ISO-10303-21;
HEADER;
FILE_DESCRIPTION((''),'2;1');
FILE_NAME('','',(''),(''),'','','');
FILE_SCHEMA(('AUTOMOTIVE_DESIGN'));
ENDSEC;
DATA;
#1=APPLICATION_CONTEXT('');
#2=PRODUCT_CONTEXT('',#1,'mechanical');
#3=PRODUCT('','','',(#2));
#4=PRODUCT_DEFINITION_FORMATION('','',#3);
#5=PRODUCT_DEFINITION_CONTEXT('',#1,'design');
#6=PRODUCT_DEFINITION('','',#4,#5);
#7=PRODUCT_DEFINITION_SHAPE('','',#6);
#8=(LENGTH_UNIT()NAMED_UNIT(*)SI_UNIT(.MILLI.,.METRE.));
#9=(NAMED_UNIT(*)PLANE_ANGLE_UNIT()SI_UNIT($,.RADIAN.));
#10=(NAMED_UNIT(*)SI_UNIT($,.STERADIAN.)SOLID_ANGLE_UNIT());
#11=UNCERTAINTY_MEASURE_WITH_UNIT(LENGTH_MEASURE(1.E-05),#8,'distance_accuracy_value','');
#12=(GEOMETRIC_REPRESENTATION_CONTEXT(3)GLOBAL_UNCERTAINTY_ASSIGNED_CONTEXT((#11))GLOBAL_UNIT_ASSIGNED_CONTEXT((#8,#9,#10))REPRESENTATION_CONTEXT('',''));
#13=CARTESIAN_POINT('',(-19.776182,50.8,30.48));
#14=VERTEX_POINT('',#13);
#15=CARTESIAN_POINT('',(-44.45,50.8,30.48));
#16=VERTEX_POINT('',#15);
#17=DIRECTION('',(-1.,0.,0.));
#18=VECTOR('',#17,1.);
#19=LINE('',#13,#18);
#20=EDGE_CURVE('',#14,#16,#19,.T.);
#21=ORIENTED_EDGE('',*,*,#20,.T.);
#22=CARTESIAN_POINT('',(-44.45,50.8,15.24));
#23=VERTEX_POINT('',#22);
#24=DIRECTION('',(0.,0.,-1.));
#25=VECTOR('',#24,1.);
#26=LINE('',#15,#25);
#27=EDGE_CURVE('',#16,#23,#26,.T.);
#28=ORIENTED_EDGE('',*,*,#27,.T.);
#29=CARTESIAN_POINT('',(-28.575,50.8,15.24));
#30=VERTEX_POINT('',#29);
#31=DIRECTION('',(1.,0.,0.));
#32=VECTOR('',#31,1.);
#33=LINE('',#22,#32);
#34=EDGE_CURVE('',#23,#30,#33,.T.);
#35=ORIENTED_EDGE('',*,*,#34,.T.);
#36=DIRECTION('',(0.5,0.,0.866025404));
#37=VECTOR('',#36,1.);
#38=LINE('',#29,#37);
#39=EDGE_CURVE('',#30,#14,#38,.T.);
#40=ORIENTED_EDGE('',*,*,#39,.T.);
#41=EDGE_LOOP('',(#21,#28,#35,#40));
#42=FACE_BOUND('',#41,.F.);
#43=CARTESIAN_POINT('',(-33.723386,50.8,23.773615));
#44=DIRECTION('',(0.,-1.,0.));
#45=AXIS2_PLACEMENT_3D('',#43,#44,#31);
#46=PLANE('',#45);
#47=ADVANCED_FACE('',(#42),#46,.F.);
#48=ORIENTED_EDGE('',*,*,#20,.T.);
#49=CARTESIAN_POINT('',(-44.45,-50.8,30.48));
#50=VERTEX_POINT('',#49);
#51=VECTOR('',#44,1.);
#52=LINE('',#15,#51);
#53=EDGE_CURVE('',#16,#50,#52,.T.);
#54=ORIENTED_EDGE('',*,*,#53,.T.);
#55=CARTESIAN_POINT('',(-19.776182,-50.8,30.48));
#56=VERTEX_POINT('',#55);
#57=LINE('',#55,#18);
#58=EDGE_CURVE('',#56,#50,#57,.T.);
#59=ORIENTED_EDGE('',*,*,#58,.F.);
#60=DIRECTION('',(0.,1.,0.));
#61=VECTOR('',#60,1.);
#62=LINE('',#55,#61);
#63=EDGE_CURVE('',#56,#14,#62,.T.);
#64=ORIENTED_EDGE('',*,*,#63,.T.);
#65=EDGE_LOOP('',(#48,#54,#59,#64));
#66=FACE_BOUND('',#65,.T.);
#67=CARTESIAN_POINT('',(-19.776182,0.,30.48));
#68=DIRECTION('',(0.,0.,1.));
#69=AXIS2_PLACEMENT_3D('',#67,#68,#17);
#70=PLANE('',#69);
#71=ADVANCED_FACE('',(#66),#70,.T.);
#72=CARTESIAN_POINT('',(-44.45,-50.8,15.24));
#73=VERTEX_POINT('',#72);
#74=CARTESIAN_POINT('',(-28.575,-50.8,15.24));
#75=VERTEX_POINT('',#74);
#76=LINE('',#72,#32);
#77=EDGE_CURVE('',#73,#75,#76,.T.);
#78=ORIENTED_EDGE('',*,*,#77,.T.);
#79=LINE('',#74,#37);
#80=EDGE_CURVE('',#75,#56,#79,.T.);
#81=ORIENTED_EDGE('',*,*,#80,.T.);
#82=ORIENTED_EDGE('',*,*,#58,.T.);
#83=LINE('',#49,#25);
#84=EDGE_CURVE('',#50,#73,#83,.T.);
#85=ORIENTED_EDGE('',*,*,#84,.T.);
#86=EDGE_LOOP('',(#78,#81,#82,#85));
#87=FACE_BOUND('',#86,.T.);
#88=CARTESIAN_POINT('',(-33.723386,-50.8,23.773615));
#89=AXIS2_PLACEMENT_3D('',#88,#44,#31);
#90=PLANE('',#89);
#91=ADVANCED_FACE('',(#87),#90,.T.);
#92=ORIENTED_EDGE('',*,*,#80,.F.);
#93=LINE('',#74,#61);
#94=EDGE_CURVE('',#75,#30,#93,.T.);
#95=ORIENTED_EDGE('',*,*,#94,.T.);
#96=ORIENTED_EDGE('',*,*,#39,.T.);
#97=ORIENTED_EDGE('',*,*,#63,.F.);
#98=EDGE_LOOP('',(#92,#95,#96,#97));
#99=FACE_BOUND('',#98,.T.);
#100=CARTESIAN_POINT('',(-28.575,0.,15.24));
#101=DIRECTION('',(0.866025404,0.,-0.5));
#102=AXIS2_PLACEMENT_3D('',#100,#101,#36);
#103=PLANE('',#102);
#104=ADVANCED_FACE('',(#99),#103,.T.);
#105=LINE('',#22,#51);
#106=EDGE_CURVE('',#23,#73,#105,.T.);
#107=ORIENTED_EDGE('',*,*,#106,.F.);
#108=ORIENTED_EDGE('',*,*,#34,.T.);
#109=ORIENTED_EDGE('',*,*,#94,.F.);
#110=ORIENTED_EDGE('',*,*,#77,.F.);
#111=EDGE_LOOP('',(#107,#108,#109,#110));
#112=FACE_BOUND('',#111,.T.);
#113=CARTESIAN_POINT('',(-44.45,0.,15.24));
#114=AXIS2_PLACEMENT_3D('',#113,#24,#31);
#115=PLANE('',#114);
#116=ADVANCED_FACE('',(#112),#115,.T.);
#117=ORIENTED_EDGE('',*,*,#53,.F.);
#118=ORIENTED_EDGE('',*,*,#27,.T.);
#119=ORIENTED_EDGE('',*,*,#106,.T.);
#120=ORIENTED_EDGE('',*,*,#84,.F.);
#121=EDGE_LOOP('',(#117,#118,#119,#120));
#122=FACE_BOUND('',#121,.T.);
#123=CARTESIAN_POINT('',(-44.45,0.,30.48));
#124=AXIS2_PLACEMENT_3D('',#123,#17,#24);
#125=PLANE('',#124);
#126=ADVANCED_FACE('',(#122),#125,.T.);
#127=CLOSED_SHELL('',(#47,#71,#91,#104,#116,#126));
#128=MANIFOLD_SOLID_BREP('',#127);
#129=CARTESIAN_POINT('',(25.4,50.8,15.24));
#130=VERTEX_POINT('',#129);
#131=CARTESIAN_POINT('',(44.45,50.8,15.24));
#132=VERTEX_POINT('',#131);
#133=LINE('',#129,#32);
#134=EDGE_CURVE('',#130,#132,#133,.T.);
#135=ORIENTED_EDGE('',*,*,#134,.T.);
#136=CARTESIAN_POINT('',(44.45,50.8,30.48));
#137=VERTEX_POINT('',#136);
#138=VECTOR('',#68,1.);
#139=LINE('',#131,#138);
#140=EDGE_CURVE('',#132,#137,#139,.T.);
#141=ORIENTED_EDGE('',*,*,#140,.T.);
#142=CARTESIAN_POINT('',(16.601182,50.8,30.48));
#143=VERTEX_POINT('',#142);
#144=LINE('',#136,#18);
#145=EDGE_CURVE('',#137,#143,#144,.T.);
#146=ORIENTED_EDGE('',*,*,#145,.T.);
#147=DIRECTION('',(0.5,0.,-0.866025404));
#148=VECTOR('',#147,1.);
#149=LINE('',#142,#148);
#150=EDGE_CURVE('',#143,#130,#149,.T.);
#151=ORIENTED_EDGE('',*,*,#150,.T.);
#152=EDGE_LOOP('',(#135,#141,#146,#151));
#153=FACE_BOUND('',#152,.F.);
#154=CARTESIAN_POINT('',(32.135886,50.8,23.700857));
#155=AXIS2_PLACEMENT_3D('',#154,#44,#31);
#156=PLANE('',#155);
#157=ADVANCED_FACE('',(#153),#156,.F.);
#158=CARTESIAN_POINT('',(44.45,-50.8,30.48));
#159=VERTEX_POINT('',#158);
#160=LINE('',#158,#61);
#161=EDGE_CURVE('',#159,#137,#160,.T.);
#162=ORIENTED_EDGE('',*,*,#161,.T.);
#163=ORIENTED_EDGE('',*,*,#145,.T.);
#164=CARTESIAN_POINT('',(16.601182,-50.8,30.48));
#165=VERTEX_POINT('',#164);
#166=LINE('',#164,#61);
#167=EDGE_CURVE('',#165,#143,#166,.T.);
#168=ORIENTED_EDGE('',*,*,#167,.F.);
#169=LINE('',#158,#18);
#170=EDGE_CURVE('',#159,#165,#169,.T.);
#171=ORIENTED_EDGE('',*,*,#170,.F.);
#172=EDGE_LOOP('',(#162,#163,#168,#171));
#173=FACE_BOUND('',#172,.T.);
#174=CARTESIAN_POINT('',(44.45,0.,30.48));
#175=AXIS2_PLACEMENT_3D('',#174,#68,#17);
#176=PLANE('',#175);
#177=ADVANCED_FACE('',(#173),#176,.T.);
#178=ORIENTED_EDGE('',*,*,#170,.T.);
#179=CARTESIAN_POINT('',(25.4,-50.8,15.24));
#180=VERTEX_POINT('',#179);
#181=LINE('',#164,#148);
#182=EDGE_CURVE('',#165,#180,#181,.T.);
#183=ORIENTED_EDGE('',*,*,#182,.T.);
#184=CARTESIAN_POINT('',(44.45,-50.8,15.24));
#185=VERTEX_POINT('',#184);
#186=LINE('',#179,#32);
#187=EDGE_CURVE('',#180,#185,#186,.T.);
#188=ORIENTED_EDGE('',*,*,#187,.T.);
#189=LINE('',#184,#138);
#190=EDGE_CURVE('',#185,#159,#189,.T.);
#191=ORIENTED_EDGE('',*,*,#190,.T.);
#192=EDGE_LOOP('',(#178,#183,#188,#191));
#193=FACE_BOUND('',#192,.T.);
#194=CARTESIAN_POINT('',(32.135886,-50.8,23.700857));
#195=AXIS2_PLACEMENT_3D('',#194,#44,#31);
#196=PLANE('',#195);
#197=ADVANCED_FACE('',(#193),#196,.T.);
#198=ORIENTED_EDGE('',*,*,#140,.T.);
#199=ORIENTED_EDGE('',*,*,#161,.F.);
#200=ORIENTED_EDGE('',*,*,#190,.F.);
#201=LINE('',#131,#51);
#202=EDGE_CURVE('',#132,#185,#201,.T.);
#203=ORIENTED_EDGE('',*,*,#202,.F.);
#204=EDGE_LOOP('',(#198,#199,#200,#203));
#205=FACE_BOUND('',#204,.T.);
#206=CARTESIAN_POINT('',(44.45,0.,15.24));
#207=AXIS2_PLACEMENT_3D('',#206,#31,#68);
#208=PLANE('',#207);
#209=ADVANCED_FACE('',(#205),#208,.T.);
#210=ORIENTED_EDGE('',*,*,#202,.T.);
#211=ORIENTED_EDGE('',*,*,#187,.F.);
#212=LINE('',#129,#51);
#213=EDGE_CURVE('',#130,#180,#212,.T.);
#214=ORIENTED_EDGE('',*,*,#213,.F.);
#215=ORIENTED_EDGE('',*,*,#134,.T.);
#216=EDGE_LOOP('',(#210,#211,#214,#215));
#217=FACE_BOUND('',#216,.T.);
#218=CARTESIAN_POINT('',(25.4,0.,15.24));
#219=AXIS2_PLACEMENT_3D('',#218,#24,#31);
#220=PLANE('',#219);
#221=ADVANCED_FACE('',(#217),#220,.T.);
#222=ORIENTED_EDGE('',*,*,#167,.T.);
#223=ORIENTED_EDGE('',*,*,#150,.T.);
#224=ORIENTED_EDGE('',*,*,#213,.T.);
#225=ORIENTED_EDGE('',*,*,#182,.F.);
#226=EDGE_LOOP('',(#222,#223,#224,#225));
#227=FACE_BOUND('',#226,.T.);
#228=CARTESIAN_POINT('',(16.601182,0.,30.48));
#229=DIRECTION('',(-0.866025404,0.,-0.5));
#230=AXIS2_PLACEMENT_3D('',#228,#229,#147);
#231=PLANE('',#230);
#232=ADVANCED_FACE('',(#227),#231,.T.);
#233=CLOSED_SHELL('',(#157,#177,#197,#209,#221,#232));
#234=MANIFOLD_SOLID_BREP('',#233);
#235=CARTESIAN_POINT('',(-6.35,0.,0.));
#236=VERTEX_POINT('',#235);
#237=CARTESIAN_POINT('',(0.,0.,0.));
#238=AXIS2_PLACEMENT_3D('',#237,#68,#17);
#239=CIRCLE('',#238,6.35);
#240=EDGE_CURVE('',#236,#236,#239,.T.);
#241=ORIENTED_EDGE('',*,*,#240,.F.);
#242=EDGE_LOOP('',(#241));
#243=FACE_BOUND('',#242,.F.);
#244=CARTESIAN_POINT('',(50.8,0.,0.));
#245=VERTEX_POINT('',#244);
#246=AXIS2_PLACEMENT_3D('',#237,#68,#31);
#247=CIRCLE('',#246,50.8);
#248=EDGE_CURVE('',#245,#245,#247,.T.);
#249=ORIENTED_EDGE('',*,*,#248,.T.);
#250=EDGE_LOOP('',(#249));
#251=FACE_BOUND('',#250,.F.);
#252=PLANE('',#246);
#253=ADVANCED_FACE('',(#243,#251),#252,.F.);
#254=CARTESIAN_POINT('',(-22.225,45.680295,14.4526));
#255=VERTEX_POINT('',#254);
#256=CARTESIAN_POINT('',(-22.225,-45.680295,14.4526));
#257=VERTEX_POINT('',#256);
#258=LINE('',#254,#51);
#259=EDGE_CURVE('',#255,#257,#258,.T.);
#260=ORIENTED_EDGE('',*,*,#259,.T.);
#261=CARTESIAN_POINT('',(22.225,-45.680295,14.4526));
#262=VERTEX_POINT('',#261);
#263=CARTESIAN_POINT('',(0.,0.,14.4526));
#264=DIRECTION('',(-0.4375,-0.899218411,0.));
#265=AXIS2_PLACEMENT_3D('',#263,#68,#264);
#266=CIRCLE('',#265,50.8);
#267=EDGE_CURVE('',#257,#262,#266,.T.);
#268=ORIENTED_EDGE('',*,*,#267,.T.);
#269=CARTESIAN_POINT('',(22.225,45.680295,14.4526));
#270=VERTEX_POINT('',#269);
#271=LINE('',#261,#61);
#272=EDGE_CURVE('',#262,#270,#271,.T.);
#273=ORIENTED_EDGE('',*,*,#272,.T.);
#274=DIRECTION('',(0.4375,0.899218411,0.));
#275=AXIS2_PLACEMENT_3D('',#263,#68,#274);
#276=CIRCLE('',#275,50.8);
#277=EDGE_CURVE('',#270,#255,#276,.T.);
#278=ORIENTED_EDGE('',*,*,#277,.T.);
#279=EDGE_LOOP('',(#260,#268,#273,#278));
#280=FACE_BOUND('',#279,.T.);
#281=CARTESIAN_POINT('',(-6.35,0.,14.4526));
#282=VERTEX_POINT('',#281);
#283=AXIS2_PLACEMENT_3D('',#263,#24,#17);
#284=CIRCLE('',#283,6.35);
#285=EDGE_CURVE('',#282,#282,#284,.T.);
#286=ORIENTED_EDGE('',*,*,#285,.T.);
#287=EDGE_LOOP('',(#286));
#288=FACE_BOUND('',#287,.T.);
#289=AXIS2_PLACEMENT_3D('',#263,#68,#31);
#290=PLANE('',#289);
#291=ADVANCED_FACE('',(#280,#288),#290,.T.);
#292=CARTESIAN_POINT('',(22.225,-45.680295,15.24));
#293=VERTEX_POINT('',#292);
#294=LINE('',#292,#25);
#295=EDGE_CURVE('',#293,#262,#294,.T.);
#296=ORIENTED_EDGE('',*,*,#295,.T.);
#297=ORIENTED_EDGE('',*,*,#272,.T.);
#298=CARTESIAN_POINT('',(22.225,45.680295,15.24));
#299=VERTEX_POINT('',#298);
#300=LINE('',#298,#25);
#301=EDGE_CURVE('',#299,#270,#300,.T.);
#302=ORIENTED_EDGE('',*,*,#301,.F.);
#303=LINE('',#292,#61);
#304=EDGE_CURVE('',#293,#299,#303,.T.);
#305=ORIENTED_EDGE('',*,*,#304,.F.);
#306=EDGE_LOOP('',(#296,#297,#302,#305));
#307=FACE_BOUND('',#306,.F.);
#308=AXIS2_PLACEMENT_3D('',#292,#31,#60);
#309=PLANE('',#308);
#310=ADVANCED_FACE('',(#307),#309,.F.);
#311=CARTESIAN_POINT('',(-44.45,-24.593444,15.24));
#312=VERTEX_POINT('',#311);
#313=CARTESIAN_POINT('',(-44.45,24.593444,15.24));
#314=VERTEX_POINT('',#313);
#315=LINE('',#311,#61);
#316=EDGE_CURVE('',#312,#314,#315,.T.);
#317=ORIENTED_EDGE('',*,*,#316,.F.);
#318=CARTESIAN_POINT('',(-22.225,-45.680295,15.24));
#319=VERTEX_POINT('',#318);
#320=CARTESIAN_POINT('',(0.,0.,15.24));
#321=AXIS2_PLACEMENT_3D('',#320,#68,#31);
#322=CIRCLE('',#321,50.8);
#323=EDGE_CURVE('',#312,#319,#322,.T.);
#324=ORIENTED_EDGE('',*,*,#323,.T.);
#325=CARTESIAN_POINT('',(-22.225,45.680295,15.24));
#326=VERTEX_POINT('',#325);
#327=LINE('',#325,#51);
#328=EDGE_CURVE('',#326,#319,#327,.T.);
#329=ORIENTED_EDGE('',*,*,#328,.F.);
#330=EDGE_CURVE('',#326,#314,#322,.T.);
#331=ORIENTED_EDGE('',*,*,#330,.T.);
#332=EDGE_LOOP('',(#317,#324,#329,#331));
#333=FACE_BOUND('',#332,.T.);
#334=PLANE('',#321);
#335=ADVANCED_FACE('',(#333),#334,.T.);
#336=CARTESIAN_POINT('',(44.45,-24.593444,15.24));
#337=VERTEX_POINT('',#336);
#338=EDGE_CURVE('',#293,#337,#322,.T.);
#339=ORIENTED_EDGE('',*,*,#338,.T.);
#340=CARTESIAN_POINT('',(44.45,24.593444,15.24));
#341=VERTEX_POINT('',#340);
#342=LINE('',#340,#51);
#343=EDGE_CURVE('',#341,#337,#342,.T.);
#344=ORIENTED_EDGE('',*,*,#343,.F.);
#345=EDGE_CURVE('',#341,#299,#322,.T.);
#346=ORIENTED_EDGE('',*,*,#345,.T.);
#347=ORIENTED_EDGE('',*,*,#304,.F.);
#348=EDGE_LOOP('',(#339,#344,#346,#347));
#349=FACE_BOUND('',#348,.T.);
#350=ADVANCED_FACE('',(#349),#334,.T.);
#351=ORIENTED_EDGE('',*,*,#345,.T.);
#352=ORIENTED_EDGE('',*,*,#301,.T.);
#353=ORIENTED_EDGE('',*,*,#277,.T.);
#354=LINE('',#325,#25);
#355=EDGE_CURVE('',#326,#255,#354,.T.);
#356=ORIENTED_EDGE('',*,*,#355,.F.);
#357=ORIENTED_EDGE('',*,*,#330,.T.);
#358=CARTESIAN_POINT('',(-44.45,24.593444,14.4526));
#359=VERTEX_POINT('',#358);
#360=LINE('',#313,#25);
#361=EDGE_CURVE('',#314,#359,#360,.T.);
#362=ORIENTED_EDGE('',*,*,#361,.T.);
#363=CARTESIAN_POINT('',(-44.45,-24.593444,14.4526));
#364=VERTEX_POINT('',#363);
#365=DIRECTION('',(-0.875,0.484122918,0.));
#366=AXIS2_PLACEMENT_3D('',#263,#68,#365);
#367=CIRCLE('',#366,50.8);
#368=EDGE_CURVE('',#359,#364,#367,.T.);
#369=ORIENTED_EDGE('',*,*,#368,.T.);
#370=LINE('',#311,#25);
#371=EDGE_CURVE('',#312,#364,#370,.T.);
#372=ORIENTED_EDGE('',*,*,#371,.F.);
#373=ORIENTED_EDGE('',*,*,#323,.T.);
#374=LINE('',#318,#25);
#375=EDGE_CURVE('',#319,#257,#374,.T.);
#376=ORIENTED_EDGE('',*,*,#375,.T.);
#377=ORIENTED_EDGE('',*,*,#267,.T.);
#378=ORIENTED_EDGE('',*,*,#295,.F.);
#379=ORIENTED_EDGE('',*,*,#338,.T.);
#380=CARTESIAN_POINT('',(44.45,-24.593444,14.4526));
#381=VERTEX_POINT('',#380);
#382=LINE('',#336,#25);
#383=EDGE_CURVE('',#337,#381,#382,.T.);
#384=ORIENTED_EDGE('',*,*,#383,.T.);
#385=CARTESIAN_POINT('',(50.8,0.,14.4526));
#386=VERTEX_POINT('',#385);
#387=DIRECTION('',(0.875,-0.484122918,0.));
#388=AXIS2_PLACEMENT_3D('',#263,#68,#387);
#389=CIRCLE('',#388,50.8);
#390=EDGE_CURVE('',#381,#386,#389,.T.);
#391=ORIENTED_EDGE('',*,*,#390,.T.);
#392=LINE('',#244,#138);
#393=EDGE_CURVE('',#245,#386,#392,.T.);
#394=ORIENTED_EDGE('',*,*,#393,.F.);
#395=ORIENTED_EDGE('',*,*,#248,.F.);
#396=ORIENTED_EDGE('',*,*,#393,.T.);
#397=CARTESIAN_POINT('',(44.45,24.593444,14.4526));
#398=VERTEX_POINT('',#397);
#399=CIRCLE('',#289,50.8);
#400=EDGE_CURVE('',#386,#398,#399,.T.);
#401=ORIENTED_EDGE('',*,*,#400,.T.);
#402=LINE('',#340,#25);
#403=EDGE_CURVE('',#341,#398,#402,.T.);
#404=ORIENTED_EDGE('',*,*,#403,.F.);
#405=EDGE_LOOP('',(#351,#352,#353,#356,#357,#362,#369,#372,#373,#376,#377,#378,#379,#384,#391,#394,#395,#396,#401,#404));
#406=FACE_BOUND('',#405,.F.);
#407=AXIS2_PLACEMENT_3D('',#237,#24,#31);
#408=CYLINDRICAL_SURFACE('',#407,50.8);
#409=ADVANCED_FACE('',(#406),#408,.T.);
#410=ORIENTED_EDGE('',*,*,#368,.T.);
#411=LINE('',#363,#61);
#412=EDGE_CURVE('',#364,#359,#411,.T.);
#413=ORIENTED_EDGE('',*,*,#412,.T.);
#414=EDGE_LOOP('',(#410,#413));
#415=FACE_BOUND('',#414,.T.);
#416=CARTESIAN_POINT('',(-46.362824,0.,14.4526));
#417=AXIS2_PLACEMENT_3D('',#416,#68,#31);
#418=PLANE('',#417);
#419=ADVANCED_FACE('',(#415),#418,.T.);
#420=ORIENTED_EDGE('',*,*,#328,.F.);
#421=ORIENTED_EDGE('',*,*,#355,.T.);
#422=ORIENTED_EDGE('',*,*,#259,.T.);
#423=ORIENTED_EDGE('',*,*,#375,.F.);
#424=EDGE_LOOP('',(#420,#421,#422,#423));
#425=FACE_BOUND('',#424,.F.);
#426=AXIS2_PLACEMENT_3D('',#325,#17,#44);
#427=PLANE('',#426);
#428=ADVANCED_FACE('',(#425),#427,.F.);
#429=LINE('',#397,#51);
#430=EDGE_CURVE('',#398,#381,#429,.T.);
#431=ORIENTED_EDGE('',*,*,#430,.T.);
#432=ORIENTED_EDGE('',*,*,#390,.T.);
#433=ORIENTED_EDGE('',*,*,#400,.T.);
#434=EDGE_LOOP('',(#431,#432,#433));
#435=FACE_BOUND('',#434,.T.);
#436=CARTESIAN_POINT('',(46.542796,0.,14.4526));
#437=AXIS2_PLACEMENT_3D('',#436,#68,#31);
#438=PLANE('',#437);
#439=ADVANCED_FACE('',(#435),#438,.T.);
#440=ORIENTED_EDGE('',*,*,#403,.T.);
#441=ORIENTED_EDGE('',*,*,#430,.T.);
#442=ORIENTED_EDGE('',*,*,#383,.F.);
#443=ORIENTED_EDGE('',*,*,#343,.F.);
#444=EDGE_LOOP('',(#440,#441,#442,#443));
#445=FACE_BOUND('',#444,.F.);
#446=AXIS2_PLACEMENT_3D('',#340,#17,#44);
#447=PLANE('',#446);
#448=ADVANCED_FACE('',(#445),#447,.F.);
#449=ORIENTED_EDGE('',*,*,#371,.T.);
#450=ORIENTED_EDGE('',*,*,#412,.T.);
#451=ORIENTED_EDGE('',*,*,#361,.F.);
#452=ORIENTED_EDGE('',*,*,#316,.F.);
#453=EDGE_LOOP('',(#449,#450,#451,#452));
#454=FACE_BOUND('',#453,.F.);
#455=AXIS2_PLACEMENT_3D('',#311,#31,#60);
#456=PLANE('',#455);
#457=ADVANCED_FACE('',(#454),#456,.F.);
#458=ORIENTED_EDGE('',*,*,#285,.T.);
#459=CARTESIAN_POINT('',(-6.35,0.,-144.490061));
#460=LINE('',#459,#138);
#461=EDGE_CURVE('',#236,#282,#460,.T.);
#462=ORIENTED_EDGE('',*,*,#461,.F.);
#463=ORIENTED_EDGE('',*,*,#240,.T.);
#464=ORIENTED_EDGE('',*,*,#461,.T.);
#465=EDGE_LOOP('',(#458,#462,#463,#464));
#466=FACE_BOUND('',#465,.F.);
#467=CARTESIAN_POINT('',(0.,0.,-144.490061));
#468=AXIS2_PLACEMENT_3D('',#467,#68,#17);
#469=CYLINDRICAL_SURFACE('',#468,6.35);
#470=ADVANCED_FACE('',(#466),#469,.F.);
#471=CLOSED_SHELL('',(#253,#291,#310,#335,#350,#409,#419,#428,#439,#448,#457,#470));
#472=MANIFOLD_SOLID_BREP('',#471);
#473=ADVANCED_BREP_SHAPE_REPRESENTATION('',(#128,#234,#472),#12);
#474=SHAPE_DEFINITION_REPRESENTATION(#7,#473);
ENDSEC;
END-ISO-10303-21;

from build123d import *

# Parameters (mm, degrees)
F0_R          = 50.8
F1_DEPTH      = 15.24
F2_D          = 12.7
F3_R          = 6.35
F4_DEPTH      = 0.7874
F6_DEPTH      = 50.8
F6_DEPTH_BACK = 50.8


with BuildPart() as f1:
    # F0 (on Top) → F1 (new body)
    with BuildSketch(Plane.XY):
        Circle(F0_R)
    extrude(amount=F1_DEPTH)

    # F2 (through all)
    with Locations(Plane(origin=(0, 0, 0), x_dir=(1, 0, 0), z_dir=(0, 0, -1))):
        with Locations((0, 0)):
            Hole(F2_D / 2)

    # F3 (on face) → F4 (cut)
    with BuildSketch(Plane.XY.offset(15.24)):
        with BuildLine():
            Line((-44.45, -24.5934442484), (-44.45, 24.5934442484))
            ThreePointArc((-44.45, 24.5934442484), (-50.8, 0), (-44.45, -24.5934442484))
        make_face()
        with BuildLine():
            ThreePointArc((50.8, 0), (49.1868884968, 12.7), (44.45, 24.5934442484))
            Line((44.45, 24.5934442484), (44.45, -24.5934442484))
            ThreePointArc((44.45, -24.5934442484), (49.1868884968, -12.7), (50.8, 0))
        make_face()
        with BuildLine():
            ThreePointArc((22.225, 45.6802952596), (0, 50.8), (-22.225, 45.6802952596))
            Line((-22.225, 45.6802952596), (-22.225, -45.6802952596))
            ThreePointArc((-22.225, -45.6802952596), (0, -50.8), (22.225, -45.6802952596))
            Line((22.225, -45.6802952596), (22.225, 45.6802952596))
        make_face()
        Circle(F3_R, mode=Mode.SUBTRACT)
    extrude(amount=-F4_DEPTH, mode=Mode.SUBTRACT)


with BuildPart() as f6:
    # F5 (on Front) → F6 (new body, two sides)
    with BuildSketch(Plane.XZ) as f6_sk:
        Polygon((16.6011818976, 30.48), (25.4, 15.24), (44.45, 15.24), (44.45, 30.48), align=None)
    extrude(amount=F6_DEPTH)
    extrude(f6_sk.sketch, amount=-F6_DEPTH_BACK)


with BuildPart() as f6b:
    # F5 (on Front) → F6, piece 2 (new body, two sides)
    with BuildSketch(Plane.XZ) as f6_2_sk:
        Polygon((-19.7761818976, 30.48), (-44.45, 30.48), (-44.45, 15.24), (-28.575, 15.24), align=None)
    extrude(amount=F6_DEPTH)
    extrude(f6_2_sk.sketch, amount=-F6_DEPTH_BACK)


solid = Compound([f1.part, f6.part, f6b.part])
